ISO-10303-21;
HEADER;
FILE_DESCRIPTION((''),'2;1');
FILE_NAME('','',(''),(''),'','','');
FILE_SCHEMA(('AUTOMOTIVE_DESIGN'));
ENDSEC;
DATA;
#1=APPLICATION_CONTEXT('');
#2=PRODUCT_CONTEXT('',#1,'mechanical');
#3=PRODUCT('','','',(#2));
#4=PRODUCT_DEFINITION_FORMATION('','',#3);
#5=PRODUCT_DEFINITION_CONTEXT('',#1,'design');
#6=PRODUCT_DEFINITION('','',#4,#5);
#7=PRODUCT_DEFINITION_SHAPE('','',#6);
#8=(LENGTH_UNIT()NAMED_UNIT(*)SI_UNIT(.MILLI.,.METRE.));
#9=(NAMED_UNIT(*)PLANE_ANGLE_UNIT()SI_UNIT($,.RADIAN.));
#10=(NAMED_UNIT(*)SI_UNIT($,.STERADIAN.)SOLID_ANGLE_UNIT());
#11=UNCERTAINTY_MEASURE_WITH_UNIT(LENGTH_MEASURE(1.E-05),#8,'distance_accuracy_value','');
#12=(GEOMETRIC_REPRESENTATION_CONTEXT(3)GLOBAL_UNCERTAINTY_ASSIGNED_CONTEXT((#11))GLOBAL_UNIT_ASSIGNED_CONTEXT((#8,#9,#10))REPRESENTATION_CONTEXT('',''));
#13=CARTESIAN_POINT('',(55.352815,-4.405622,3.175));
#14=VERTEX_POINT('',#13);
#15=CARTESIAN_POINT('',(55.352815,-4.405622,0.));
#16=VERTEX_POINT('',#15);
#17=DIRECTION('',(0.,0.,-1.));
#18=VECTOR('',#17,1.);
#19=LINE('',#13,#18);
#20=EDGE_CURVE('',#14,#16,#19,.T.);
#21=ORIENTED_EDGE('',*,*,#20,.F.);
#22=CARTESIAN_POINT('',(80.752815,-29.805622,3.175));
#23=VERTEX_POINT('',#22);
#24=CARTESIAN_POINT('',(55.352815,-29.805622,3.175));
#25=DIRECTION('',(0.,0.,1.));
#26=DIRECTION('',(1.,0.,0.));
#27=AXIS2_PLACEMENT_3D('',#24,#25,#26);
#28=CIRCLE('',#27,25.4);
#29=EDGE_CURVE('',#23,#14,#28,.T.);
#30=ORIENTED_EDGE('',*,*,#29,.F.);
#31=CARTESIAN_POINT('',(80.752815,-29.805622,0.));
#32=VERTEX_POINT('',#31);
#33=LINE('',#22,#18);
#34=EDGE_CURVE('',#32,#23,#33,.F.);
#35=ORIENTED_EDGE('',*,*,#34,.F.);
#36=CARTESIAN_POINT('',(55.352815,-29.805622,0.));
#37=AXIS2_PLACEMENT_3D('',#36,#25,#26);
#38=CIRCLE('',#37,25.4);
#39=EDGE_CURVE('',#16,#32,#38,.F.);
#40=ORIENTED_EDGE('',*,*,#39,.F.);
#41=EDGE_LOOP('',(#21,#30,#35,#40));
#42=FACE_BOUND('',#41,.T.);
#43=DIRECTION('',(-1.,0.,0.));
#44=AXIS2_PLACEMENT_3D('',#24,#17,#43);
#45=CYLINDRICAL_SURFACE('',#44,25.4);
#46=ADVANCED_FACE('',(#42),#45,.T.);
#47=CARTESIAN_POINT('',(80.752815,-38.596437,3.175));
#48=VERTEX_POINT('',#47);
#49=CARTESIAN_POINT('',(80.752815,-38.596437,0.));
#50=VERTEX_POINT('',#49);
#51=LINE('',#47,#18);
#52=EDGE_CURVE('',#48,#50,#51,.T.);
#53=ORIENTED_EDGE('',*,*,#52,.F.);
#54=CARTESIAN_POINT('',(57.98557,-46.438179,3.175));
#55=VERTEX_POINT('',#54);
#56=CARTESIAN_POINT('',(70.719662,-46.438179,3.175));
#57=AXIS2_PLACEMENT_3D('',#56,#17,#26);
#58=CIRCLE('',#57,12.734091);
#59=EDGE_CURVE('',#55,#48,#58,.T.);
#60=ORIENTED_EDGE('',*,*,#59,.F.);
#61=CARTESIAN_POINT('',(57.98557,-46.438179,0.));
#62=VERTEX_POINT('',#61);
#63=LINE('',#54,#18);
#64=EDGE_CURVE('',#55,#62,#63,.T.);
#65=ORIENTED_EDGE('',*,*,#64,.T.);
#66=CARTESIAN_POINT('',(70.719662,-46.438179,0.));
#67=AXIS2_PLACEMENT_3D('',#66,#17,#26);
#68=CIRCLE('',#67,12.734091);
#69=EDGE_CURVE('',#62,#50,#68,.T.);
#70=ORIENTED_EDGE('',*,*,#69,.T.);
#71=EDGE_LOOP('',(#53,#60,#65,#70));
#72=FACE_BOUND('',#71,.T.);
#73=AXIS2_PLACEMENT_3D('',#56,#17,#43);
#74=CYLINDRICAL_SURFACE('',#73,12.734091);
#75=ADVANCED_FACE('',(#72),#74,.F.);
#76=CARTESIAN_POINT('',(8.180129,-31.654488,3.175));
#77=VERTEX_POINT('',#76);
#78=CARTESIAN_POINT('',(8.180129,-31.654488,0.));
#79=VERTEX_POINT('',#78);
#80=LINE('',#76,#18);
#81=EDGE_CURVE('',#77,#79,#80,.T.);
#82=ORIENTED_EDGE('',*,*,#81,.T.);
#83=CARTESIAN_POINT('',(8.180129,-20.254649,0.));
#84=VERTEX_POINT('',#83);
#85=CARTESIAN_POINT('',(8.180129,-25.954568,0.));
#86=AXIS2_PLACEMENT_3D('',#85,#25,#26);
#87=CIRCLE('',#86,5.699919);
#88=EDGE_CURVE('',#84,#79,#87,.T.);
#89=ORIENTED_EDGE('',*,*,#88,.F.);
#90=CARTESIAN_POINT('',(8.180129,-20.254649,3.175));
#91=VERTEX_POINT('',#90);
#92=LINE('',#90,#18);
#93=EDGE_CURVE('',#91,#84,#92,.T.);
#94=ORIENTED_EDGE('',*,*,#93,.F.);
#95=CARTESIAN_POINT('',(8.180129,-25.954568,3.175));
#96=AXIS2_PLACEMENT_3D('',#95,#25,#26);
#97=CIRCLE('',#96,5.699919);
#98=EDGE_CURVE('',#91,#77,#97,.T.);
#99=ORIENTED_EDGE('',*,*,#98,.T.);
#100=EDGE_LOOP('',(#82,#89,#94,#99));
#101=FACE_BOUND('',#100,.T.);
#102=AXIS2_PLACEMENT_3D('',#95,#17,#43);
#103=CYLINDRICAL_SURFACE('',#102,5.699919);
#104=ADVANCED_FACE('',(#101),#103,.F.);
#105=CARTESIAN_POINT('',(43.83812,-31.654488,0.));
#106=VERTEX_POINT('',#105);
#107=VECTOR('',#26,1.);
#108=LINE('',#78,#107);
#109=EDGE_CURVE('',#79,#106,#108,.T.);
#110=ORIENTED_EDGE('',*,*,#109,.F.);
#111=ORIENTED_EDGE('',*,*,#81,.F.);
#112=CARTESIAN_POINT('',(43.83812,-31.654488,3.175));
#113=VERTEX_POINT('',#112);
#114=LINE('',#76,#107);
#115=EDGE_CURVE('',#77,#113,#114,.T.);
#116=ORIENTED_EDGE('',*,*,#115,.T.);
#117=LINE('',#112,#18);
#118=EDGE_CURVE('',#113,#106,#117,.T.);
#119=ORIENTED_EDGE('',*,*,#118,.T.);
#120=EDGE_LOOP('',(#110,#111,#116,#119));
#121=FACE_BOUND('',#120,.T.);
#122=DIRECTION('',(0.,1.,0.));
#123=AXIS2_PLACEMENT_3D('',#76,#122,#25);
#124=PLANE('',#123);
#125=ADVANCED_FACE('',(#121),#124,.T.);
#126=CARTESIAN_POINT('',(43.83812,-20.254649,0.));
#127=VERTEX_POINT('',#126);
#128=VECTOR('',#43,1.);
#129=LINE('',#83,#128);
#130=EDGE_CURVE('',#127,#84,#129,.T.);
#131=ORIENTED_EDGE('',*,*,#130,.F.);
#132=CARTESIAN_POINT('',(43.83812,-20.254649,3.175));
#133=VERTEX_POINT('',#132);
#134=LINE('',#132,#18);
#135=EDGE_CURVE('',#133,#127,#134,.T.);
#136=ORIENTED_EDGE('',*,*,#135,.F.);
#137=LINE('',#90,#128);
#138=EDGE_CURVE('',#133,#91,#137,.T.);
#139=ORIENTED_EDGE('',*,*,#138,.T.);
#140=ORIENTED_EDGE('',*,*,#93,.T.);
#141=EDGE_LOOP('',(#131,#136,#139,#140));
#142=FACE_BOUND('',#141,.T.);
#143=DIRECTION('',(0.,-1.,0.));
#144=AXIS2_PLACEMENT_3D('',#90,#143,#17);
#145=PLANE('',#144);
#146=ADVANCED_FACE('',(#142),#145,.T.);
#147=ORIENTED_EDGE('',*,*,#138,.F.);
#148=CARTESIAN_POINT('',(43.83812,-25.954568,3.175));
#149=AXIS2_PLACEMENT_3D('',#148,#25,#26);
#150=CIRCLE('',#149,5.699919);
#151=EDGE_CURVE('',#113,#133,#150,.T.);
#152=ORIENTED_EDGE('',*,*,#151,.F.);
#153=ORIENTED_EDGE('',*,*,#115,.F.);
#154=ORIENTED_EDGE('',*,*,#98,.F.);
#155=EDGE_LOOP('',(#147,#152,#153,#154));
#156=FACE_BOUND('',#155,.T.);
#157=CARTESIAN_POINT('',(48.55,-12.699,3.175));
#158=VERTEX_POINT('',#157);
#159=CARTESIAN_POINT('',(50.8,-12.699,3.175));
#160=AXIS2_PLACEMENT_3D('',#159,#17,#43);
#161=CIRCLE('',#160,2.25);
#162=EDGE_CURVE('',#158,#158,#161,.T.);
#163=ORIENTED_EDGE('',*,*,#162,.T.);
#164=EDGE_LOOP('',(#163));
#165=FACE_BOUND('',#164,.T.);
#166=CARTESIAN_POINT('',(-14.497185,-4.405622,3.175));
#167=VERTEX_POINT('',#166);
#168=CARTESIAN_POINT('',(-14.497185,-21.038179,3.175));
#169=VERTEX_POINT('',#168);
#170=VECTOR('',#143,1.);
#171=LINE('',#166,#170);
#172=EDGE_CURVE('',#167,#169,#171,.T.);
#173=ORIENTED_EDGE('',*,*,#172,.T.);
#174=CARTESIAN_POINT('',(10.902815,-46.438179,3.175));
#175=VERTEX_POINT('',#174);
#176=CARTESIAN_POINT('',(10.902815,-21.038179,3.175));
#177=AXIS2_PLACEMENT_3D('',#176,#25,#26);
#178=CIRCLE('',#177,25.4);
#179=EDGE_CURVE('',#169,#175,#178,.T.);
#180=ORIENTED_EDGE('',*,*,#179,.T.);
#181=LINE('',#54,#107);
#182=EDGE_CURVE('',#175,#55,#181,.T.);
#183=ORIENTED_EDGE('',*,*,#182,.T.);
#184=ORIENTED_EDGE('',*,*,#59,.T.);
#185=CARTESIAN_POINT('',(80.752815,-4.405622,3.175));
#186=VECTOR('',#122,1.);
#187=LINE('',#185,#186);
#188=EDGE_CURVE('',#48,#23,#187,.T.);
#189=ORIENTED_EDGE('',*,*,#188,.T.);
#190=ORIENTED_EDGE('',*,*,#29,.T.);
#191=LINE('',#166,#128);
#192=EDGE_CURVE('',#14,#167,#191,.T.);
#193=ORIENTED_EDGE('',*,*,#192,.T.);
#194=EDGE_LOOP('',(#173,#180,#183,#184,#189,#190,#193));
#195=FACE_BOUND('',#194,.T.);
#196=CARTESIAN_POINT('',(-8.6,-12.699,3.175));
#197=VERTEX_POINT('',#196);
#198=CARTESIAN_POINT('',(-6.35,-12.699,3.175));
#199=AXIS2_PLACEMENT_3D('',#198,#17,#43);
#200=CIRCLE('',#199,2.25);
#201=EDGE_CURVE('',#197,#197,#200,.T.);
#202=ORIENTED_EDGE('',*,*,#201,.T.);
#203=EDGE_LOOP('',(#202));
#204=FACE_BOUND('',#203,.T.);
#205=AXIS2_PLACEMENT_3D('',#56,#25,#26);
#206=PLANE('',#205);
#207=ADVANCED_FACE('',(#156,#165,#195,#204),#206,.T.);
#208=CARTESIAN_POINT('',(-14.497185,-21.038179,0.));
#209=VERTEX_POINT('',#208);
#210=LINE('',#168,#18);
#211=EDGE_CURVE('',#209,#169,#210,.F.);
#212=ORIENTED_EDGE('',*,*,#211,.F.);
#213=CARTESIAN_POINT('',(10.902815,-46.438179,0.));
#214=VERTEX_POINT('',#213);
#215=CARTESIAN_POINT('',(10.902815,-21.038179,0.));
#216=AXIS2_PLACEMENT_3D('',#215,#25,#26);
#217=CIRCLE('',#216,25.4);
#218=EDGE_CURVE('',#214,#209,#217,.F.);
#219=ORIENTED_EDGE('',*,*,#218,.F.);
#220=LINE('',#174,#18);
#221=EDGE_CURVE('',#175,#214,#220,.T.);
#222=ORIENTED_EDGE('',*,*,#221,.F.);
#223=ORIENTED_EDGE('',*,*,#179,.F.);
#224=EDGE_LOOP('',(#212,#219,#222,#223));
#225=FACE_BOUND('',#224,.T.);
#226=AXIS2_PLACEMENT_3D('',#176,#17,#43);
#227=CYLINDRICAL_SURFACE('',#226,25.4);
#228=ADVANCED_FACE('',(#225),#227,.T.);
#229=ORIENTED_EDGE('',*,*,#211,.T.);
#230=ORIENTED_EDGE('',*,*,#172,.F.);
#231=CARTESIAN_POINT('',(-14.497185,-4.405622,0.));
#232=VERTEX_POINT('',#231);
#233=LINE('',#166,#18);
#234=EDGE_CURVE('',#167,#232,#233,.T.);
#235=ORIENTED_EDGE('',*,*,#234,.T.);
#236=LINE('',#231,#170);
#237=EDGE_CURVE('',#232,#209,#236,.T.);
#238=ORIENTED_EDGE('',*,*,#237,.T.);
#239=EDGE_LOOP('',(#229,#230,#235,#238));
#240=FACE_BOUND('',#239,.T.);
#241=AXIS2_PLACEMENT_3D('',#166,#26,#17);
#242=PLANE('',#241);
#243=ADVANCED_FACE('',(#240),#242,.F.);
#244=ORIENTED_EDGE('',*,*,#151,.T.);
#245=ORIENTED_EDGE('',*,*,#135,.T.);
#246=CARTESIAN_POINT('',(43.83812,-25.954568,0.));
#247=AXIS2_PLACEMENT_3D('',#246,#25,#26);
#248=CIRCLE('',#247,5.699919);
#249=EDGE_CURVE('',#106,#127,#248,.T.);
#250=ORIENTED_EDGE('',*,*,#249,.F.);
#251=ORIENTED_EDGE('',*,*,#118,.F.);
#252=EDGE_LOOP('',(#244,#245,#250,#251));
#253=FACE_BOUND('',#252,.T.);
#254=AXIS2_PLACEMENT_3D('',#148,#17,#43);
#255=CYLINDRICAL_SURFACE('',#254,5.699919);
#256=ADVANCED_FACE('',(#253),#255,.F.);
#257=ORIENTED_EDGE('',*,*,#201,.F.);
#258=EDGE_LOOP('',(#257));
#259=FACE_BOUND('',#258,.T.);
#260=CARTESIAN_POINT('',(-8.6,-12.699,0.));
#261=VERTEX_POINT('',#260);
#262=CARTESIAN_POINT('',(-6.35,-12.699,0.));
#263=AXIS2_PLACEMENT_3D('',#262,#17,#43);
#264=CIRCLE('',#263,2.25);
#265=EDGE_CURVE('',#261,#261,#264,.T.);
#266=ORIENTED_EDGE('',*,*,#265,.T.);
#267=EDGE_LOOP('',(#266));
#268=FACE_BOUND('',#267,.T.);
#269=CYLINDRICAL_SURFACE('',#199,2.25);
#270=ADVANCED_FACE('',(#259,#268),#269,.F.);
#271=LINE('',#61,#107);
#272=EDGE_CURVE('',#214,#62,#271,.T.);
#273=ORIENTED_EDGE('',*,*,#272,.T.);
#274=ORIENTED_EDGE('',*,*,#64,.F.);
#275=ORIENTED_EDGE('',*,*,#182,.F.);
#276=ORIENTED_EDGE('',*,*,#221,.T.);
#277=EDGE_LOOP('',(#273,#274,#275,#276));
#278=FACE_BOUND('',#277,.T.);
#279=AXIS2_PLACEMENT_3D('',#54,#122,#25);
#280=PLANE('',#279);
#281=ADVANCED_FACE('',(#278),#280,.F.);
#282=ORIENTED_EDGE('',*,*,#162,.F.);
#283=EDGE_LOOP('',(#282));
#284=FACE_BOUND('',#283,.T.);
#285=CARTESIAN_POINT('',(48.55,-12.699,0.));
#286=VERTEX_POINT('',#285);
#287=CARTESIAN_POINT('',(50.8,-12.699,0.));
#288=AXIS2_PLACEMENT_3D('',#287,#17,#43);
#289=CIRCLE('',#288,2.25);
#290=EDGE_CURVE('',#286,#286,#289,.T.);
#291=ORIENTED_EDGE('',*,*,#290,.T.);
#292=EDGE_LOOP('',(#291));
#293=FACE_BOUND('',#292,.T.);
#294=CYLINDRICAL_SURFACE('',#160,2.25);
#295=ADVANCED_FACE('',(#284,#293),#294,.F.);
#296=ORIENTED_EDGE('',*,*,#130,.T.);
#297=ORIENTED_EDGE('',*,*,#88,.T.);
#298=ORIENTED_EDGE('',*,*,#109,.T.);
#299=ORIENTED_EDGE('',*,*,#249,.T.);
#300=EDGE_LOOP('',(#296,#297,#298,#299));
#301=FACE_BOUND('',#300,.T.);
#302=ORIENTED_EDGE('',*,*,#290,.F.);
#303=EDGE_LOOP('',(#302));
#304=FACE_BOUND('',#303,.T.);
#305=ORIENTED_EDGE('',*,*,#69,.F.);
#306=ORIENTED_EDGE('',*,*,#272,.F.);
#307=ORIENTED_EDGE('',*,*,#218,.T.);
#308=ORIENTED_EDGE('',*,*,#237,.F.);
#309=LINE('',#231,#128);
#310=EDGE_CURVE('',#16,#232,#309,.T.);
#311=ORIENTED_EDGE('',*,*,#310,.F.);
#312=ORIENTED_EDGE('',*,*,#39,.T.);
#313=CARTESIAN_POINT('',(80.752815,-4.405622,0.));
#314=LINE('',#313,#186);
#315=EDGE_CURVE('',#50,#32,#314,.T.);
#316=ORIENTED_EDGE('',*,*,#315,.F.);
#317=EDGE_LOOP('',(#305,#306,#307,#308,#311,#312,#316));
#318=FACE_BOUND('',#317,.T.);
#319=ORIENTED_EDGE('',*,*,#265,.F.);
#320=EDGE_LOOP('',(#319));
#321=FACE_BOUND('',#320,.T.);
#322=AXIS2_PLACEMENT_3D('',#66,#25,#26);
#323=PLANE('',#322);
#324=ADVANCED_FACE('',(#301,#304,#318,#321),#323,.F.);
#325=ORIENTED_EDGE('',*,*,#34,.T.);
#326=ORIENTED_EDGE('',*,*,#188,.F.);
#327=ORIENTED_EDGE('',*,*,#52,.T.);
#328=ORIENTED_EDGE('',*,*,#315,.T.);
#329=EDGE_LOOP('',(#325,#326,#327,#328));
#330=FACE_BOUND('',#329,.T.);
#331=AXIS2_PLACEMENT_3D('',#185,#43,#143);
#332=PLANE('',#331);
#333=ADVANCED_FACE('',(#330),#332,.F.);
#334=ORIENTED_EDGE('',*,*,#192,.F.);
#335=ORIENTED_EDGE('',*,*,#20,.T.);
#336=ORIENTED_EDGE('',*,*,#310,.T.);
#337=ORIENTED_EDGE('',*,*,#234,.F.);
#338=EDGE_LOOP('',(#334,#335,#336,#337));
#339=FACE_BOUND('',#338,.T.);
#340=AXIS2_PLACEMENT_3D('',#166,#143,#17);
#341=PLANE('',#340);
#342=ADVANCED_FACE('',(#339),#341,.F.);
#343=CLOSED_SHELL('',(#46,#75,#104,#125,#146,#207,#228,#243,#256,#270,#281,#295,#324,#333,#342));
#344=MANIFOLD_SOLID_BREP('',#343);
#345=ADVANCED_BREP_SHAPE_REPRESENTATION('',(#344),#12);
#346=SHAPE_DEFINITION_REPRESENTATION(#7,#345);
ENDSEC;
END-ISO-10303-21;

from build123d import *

# Parameters (mm, degrees)
BOSS_EXTRUDE1_DEPTH = 3.175
FILLET1_R           = 25.4
SKETCH2_R           = 2.25
CUT_EXTRUDE1_DEPTH  = 94.20730796


with BuildPart() as part:
    # Sketch1 → Boss-Extrude1 (new body)
    with BuildSketch(Plane.XY):
        with BuildLine():
            Line((-14.497184722, -4.405622253), (80.752815278, -4.405622253))
            Line((80.752815278, -4.405622253), (80.752815278, -38.596437465))
            ThreePointArc((80.752815278, -38.596437465), (66.572735919, -34.398241716), (57.985570414, -46.438178872))
            Line((57.985570414, -46.438178872), (-14.497184722, -46.438178872))
            Line((-14.497184722, -46.438178872), (-14.497184722, -4.405622253))
        make_face()
        with BuildLine():
            Line((8.180129042, -20.254648783), (43.838119696, -20.254648783))
            ThreePointArc((43.838119696, -20.254648783), (49.538039085, -25.954568173), (43.838119696, -31.654487563))
            Line((43.838119696, -31.654487563), (8.180129042, -31.654487563))
            ThreePointArc((8.180129042, -31.654487563), (2.480209652, -25.954568173), (8.180129042, -20.254648783))
        make_face(mode=Mode.SUBTRACT)
    extrude(amount=BOSS_EXTRUDE1_DEPTH)

    # Fillet1
    fillet1_edges = [part.edges().sort_by_distance(p)[0] for p in [
        (80.752815278, -4.405622253, 1.5875),
        (-14.497184722, -46.438178872, 1.5875),
    ]]
    fillet(fillet1_edges, radius=FILLET1_R)

    # Sketch2 → Cut-Extrude1 (cut, through all)
    with BuildSketch(Plane(origin=(0, 0, 0), x_dir=(-1, 0, 0), z_dir=(0, 0, -1))):
        with Locations((-50.8, -12.699000033)):
            Circle(SKETCH2_R)
        with Locations((6.35, -12.699000033)):
            Circle(SKETCH2_R)
    extrude(amount=-CUT_EXTRUDE1_DEPTH, mode=Mode.SUBTRACT)


solid = part.part
